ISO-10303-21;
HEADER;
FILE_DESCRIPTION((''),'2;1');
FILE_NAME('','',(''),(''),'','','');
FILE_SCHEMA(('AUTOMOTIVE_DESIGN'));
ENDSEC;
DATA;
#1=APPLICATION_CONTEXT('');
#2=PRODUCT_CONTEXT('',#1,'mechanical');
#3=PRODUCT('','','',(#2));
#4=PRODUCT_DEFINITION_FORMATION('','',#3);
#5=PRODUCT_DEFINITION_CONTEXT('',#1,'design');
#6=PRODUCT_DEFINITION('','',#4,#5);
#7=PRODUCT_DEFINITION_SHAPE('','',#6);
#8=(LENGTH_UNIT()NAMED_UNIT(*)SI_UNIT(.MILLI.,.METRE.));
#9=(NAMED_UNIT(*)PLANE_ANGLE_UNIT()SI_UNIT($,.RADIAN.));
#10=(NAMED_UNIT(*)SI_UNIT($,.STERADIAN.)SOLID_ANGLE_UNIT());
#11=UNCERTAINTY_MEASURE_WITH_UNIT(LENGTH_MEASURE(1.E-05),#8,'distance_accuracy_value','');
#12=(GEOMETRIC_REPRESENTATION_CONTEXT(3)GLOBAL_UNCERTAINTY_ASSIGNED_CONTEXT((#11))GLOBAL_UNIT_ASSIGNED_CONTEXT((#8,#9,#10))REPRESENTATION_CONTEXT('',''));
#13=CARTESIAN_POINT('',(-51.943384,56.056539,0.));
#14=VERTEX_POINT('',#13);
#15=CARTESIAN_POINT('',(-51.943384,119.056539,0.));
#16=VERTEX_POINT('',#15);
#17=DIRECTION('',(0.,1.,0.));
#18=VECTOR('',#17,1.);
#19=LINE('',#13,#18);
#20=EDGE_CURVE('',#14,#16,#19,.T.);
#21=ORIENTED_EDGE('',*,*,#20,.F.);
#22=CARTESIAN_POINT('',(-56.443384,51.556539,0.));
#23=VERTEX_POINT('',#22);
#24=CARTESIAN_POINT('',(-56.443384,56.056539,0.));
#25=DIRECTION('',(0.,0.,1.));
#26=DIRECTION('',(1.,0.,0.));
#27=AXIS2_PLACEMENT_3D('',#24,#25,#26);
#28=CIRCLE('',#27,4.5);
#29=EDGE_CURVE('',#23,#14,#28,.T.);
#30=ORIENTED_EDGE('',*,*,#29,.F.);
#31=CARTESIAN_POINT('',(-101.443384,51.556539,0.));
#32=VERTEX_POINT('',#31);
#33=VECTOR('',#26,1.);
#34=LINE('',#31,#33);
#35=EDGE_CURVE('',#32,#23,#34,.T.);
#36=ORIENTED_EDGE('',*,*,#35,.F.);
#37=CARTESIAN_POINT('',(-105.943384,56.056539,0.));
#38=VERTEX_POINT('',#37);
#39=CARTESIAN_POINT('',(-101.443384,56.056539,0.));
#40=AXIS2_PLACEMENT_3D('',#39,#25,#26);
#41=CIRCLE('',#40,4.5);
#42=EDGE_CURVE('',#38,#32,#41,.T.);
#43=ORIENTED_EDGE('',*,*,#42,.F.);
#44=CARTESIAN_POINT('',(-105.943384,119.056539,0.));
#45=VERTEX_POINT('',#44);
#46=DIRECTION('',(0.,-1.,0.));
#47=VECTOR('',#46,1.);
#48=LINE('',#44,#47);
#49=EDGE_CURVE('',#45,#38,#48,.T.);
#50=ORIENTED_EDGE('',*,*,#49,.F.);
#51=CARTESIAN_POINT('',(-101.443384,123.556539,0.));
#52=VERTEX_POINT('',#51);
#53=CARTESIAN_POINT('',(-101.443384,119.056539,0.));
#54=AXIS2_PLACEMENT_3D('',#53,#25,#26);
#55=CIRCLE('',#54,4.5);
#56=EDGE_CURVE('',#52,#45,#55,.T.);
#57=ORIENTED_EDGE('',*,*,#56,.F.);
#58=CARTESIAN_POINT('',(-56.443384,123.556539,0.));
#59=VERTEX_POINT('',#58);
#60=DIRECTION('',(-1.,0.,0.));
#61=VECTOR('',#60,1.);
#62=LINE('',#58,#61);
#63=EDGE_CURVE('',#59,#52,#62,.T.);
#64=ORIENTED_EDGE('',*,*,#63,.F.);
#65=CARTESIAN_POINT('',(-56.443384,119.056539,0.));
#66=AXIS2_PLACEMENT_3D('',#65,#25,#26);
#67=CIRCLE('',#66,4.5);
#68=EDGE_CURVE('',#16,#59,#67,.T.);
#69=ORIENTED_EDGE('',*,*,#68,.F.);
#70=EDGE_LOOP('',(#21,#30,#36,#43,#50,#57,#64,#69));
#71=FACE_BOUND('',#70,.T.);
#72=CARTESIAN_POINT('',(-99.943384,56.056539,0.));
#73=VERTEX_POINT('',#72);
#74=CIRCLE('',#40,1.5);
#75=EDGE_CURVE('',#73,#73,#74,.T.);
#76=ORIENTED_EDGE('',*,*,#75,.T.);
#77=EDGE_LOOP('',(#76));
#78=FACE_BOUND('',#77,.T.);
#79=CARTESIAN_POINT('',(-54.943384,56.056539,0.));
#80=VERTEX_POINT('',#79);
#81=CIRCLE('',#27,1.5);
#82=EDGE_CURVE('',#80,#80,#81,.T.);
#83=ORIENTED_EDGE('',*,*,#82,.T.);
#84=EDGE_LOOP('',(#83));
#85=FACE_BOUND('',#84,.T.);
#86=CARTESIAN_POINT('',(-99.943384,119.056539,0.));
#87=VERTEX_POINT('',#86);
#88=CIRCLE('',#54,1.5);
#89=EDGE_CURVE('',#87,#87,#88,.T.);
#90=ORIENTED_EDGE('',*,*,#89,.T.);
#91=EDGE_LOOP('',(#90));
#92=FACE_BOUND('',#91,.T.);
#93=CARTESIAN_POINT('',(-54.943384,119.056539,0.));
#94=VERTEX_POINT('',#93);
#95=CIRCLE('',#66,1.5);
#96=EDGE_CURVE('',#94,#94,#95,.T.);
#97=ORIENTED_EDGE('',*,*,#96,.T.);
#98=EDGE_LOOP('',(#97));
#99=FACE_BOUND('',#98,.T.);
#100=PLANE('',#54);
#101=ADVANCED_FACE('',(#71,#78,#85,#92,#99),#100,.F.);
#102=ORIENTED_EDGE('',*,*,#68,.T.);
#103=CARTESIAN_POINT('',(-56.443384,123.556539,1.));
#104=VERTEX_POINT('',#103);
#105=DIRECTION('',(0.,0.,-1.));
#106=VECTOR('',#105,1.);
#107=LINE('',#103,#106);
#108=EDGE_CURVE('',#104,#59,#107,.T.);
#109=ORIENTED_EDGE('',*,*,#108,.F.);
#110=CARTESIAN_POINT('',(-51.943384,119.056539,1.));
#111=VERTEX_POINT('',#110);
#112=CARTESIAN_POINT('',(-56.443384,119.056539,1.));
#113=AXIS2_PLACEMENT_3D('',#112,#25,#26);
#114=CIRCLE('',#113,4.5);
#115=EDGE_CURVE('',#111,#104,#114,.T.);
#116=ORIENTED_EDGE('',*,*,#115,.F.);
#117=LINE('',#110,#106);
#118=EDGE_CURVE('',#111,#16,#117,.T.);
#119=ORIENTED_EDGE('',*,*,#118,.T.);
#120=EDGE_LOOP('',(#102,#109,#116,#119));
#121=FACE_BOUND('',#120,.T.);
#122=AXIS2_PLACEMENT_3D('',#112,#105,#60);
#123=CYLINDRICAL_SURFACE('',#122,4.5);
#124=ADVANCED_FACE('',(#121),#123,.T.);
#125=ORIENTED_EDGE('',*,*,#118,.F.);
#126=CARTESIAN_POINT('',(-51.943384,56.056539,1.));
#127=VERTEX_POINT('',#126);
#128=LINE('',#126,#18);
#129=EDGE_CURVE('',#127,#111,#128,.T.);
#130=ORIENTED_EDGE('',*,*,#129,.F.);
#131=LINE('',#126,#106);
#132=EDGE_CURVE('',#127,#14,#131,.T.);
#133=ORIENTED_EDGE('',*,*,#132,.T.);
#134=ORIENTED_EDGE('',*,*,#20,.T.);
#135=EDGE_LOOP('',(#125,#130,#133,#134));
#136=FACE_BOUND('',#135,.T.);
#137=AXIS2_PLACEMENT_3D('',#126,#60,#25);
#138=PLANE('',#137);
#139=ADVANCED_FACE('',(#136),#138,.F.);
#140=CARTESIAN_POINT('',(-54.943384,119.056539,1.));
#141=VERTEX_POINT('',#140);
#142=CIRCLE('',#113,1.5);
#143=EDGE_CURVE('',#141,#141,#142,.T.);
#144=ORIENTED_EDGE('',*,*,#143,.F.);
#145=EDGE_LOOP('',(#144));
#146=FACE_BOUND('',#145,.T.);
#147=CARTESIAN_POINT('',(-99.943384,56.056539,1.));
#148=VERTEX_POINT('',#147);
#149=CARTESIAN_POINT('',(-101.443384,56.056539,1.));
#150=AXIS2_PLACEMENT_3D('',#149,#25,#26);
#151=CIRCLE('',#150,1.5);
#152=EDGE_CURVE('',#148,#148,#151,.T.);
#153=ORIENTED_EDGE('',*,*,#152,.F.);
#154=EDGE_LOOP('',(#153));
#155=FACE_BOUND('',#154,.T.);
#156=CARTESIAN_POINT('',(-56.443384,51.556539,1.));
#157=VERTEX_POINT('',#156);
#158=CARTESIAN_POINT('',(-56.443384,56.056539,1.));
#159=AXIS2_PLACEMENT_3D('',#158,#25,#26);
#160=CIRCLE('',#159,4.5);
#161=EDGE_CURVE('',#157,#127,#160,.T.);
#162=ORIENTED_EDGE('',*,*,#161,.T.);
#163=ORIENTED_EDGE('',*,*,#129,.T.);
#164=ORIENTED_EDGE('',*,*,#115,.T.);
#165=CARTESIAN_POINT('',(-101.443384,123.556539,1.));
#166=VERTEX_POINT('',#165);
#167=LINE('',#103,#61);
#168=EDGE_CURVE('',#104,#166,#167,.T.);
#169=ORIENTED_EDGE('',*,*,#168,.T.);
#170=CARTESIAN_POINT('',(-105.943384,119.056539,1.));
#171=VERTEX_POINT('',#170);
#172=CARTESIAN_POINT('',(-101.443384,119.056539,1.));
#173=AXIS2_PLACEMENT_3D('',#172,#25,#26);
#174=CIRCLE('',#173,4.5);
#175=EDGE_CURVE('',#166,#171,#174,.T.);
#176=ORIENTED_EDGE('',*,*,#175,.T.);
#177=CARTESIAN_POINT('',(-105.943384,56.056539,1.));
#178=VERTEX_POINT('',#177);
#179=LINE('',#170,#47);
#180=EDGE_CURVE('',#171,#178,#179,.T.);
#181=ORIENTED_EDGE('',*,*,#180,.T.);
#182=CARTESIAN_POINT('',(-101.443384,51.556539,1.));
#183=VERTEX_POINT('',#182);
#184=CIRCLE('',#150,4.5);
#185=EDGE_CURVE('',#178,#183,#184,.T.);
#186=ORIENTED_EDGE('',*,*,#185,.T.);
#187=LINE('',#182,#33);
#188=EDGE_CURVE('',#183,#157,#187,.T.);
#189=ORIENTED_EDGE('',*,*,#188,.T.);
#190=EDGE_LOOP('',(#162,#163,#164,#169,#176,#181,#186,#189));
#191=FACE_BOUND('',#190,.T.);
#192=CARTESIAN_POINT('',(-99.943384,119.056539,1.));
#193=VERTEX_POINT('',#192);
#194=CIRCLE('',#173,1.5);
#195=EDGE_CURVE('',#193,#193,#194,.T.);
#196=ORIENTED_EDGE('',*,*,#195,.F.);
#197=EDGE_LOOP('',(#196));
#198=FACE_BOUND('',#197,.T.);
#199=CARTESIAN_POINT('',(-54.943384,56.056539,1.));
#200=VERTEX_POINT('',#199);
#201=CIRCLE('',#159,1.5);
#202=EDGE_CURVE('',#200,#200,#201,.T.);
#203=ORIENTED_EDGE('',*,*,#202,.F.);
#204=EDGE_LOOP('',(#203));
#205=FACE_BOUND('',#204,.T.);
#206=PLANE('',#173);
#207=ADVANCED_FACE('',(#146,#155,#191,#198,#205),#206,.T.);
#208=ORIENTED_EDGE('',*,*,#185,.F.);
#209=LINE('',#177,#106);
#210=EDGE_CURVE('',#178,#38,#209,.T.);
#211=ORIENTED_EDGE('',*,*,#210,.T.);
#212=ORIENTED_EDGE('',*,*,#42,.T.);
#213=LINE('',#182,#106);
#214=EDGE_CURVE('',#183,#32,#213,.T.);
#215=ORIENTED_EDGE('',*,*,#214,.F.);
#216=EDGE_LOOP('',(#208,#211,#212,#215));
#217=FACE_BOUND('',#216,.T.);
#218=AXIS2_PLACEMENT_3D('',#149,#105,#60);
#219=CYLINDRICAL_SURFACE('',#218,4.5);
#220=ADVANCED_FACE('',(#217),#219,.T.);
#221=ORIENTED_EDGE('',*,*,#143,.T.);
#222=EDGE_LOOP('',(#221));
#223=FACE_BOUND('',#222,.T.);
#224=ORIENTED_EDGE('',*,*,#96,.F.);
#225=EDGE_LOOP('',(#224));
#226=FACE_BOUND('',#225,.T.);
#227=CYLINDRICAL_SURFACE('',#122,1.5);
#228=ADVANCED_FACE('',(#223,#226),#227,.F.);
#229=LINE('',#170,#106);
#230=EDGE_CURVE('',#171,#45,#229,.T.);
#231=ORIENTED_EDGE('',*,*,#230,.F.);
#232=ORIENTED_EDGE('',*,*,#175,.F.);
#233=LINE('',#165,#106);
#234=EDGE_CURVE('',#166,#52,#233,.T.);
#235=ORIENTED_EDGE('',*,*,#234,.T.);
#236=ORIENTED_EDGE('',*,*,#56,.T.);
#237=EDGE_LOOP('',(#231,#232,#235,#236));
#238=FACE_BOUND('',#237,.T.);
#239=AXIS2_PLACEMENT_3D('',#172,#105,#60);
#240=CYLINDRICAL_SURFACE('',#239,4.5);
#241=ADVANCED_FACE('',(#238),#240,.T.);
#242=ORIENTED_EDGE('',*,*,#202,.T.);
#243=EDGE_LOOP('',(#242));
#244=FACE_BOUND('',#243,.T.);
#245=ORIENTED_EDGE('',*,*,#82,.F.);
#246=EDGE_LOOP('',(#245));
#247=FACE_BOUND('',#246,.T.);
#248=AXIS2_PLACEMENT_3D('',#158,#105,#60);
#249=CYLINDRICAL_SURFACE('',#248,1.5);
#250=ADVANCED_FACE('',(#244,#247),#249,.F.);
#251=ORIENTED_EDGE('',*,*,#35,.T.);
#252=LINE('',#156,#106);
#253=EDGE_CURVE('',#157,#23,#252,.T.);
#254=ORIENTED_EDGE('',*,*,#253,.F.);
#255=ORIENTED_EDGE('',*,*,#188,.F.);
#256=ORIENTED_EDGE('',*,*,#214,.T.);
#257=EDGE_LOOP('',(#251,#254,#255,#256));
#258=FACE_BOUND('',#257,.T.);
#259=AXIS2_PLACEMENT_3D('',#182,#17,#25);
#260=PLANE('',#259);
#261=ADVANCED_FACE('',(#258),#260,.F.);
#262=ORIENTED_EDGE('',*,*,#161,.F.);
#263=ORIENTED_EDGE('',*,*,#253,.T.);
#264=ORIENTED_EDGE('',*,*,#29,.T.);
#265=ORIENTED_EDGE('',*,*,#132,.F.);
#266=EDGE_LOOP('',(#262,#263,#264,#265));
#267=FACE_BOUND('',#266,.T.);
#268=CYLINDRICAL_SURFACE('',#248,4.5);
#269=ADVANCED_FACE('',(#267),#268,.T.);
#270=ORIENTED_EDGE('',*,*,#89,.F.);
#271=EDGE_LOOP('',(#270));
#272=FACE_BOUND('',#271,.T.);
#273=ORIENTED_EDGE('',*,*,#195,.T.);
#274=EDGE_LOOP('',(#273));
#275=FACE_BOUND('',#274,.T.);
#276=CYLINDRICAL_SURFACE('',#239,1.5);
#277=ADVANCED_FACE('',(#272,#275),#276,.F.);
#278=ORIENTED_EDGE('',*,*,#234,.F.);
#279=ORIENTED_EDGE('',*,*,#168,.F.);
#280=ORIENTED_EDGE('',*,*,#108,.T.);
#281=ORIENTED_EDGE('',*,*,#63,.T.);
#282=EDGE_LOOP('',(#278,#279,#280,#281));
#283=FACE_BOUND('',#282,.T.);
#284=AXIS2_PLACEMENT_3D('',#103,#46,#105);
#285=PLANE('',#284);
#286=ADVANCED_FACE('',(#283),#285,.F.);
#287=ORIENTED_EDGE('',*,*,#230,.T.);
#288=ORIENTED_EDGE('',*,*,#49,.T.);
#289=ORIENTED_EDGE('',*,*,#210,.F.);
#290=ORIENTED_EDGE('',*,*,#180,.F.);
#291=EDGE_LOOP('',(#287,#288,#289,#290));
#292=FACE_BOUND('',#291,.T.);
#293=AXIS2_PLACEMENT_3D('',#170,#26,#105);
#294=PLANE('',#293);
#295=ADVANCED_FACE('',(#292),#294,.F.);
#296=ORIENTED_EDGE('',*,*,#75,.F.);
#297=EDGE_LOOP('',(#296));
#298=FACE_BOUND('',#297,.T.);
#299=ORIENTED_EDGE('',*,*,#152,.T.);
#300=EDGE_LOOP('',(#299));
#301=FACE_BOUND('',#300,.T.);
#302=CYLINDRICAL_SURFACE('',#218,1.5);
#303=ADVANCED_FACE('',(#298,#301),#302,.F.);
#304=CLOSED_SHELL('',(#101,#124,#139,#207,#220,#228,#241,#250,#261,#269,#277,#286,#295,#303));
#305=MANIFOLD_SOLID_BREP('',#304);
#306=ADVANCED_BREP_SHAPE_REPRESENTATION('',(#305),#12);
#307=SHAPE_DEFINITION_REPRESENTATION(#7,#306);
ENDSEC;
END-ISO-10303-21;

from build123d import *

# Parameters (mm, degrees)
MODEL_R                 = 1.5
SALIENTE_EXTRUIR1_DEPTH = 1


with BuildPart() as part:
    # Model → Saliente-Extruir1 (new body)
    with BuildSketch(Plane.XY):
        with BuildLine():
            Line((-105.943383637, 119.056539338), (-105.943383637, 56.056539338))
            ThreePointArc((-105.943383637, 56.056539338), (-104.625364152, 52.874558823), (-101.443383637, 51.556539338))
            Line((-101.443383637, 51.556539338), (-56.443383637, 51.556539338))
            ThreePointArc((-56.443383637, 51.556539338), (-53.261403122, 52.874558823), (-51.943383637, 56.056539338))
            Line((-51.943383637, 56.056539338), (-51.943383637, 119.056539338))
            ThreePointArc((-51.943383637, 119.056539338), (-53.261403122, 122.238519853), (-56.443383637, 123.556539338))
            Line((-56.443383637, 123.556539338), (-101.443383637, 123.556539338))
            ThreePointArc((-101.443383637, 123.556539338), (-104.625364152, 122.238519853), (-105.943383637, 119.056539338))
        make_face()
        with Locations((-101.443383637, 119.056539338)):
            Circle(MODEL_R, mode=Mode.SUBTRACT)
        with Locations((-56.443383637, 119.056539338)):
            Circle(MODEL_R, mode=Mode.SUBTRACT)
        with Locations((-101.443383637, 56.056539338)):
            Circle(MODEL_R, mode=Mode.SUBTRACT)
        with Locations((-56.443383637, 56.056539338)):
            Circle(MODEL_R, mode=Mode.SUBTRACT)
    extrude(amount=SALIENTE_EXTRUIR1_DEPTH)


solid = part.part
